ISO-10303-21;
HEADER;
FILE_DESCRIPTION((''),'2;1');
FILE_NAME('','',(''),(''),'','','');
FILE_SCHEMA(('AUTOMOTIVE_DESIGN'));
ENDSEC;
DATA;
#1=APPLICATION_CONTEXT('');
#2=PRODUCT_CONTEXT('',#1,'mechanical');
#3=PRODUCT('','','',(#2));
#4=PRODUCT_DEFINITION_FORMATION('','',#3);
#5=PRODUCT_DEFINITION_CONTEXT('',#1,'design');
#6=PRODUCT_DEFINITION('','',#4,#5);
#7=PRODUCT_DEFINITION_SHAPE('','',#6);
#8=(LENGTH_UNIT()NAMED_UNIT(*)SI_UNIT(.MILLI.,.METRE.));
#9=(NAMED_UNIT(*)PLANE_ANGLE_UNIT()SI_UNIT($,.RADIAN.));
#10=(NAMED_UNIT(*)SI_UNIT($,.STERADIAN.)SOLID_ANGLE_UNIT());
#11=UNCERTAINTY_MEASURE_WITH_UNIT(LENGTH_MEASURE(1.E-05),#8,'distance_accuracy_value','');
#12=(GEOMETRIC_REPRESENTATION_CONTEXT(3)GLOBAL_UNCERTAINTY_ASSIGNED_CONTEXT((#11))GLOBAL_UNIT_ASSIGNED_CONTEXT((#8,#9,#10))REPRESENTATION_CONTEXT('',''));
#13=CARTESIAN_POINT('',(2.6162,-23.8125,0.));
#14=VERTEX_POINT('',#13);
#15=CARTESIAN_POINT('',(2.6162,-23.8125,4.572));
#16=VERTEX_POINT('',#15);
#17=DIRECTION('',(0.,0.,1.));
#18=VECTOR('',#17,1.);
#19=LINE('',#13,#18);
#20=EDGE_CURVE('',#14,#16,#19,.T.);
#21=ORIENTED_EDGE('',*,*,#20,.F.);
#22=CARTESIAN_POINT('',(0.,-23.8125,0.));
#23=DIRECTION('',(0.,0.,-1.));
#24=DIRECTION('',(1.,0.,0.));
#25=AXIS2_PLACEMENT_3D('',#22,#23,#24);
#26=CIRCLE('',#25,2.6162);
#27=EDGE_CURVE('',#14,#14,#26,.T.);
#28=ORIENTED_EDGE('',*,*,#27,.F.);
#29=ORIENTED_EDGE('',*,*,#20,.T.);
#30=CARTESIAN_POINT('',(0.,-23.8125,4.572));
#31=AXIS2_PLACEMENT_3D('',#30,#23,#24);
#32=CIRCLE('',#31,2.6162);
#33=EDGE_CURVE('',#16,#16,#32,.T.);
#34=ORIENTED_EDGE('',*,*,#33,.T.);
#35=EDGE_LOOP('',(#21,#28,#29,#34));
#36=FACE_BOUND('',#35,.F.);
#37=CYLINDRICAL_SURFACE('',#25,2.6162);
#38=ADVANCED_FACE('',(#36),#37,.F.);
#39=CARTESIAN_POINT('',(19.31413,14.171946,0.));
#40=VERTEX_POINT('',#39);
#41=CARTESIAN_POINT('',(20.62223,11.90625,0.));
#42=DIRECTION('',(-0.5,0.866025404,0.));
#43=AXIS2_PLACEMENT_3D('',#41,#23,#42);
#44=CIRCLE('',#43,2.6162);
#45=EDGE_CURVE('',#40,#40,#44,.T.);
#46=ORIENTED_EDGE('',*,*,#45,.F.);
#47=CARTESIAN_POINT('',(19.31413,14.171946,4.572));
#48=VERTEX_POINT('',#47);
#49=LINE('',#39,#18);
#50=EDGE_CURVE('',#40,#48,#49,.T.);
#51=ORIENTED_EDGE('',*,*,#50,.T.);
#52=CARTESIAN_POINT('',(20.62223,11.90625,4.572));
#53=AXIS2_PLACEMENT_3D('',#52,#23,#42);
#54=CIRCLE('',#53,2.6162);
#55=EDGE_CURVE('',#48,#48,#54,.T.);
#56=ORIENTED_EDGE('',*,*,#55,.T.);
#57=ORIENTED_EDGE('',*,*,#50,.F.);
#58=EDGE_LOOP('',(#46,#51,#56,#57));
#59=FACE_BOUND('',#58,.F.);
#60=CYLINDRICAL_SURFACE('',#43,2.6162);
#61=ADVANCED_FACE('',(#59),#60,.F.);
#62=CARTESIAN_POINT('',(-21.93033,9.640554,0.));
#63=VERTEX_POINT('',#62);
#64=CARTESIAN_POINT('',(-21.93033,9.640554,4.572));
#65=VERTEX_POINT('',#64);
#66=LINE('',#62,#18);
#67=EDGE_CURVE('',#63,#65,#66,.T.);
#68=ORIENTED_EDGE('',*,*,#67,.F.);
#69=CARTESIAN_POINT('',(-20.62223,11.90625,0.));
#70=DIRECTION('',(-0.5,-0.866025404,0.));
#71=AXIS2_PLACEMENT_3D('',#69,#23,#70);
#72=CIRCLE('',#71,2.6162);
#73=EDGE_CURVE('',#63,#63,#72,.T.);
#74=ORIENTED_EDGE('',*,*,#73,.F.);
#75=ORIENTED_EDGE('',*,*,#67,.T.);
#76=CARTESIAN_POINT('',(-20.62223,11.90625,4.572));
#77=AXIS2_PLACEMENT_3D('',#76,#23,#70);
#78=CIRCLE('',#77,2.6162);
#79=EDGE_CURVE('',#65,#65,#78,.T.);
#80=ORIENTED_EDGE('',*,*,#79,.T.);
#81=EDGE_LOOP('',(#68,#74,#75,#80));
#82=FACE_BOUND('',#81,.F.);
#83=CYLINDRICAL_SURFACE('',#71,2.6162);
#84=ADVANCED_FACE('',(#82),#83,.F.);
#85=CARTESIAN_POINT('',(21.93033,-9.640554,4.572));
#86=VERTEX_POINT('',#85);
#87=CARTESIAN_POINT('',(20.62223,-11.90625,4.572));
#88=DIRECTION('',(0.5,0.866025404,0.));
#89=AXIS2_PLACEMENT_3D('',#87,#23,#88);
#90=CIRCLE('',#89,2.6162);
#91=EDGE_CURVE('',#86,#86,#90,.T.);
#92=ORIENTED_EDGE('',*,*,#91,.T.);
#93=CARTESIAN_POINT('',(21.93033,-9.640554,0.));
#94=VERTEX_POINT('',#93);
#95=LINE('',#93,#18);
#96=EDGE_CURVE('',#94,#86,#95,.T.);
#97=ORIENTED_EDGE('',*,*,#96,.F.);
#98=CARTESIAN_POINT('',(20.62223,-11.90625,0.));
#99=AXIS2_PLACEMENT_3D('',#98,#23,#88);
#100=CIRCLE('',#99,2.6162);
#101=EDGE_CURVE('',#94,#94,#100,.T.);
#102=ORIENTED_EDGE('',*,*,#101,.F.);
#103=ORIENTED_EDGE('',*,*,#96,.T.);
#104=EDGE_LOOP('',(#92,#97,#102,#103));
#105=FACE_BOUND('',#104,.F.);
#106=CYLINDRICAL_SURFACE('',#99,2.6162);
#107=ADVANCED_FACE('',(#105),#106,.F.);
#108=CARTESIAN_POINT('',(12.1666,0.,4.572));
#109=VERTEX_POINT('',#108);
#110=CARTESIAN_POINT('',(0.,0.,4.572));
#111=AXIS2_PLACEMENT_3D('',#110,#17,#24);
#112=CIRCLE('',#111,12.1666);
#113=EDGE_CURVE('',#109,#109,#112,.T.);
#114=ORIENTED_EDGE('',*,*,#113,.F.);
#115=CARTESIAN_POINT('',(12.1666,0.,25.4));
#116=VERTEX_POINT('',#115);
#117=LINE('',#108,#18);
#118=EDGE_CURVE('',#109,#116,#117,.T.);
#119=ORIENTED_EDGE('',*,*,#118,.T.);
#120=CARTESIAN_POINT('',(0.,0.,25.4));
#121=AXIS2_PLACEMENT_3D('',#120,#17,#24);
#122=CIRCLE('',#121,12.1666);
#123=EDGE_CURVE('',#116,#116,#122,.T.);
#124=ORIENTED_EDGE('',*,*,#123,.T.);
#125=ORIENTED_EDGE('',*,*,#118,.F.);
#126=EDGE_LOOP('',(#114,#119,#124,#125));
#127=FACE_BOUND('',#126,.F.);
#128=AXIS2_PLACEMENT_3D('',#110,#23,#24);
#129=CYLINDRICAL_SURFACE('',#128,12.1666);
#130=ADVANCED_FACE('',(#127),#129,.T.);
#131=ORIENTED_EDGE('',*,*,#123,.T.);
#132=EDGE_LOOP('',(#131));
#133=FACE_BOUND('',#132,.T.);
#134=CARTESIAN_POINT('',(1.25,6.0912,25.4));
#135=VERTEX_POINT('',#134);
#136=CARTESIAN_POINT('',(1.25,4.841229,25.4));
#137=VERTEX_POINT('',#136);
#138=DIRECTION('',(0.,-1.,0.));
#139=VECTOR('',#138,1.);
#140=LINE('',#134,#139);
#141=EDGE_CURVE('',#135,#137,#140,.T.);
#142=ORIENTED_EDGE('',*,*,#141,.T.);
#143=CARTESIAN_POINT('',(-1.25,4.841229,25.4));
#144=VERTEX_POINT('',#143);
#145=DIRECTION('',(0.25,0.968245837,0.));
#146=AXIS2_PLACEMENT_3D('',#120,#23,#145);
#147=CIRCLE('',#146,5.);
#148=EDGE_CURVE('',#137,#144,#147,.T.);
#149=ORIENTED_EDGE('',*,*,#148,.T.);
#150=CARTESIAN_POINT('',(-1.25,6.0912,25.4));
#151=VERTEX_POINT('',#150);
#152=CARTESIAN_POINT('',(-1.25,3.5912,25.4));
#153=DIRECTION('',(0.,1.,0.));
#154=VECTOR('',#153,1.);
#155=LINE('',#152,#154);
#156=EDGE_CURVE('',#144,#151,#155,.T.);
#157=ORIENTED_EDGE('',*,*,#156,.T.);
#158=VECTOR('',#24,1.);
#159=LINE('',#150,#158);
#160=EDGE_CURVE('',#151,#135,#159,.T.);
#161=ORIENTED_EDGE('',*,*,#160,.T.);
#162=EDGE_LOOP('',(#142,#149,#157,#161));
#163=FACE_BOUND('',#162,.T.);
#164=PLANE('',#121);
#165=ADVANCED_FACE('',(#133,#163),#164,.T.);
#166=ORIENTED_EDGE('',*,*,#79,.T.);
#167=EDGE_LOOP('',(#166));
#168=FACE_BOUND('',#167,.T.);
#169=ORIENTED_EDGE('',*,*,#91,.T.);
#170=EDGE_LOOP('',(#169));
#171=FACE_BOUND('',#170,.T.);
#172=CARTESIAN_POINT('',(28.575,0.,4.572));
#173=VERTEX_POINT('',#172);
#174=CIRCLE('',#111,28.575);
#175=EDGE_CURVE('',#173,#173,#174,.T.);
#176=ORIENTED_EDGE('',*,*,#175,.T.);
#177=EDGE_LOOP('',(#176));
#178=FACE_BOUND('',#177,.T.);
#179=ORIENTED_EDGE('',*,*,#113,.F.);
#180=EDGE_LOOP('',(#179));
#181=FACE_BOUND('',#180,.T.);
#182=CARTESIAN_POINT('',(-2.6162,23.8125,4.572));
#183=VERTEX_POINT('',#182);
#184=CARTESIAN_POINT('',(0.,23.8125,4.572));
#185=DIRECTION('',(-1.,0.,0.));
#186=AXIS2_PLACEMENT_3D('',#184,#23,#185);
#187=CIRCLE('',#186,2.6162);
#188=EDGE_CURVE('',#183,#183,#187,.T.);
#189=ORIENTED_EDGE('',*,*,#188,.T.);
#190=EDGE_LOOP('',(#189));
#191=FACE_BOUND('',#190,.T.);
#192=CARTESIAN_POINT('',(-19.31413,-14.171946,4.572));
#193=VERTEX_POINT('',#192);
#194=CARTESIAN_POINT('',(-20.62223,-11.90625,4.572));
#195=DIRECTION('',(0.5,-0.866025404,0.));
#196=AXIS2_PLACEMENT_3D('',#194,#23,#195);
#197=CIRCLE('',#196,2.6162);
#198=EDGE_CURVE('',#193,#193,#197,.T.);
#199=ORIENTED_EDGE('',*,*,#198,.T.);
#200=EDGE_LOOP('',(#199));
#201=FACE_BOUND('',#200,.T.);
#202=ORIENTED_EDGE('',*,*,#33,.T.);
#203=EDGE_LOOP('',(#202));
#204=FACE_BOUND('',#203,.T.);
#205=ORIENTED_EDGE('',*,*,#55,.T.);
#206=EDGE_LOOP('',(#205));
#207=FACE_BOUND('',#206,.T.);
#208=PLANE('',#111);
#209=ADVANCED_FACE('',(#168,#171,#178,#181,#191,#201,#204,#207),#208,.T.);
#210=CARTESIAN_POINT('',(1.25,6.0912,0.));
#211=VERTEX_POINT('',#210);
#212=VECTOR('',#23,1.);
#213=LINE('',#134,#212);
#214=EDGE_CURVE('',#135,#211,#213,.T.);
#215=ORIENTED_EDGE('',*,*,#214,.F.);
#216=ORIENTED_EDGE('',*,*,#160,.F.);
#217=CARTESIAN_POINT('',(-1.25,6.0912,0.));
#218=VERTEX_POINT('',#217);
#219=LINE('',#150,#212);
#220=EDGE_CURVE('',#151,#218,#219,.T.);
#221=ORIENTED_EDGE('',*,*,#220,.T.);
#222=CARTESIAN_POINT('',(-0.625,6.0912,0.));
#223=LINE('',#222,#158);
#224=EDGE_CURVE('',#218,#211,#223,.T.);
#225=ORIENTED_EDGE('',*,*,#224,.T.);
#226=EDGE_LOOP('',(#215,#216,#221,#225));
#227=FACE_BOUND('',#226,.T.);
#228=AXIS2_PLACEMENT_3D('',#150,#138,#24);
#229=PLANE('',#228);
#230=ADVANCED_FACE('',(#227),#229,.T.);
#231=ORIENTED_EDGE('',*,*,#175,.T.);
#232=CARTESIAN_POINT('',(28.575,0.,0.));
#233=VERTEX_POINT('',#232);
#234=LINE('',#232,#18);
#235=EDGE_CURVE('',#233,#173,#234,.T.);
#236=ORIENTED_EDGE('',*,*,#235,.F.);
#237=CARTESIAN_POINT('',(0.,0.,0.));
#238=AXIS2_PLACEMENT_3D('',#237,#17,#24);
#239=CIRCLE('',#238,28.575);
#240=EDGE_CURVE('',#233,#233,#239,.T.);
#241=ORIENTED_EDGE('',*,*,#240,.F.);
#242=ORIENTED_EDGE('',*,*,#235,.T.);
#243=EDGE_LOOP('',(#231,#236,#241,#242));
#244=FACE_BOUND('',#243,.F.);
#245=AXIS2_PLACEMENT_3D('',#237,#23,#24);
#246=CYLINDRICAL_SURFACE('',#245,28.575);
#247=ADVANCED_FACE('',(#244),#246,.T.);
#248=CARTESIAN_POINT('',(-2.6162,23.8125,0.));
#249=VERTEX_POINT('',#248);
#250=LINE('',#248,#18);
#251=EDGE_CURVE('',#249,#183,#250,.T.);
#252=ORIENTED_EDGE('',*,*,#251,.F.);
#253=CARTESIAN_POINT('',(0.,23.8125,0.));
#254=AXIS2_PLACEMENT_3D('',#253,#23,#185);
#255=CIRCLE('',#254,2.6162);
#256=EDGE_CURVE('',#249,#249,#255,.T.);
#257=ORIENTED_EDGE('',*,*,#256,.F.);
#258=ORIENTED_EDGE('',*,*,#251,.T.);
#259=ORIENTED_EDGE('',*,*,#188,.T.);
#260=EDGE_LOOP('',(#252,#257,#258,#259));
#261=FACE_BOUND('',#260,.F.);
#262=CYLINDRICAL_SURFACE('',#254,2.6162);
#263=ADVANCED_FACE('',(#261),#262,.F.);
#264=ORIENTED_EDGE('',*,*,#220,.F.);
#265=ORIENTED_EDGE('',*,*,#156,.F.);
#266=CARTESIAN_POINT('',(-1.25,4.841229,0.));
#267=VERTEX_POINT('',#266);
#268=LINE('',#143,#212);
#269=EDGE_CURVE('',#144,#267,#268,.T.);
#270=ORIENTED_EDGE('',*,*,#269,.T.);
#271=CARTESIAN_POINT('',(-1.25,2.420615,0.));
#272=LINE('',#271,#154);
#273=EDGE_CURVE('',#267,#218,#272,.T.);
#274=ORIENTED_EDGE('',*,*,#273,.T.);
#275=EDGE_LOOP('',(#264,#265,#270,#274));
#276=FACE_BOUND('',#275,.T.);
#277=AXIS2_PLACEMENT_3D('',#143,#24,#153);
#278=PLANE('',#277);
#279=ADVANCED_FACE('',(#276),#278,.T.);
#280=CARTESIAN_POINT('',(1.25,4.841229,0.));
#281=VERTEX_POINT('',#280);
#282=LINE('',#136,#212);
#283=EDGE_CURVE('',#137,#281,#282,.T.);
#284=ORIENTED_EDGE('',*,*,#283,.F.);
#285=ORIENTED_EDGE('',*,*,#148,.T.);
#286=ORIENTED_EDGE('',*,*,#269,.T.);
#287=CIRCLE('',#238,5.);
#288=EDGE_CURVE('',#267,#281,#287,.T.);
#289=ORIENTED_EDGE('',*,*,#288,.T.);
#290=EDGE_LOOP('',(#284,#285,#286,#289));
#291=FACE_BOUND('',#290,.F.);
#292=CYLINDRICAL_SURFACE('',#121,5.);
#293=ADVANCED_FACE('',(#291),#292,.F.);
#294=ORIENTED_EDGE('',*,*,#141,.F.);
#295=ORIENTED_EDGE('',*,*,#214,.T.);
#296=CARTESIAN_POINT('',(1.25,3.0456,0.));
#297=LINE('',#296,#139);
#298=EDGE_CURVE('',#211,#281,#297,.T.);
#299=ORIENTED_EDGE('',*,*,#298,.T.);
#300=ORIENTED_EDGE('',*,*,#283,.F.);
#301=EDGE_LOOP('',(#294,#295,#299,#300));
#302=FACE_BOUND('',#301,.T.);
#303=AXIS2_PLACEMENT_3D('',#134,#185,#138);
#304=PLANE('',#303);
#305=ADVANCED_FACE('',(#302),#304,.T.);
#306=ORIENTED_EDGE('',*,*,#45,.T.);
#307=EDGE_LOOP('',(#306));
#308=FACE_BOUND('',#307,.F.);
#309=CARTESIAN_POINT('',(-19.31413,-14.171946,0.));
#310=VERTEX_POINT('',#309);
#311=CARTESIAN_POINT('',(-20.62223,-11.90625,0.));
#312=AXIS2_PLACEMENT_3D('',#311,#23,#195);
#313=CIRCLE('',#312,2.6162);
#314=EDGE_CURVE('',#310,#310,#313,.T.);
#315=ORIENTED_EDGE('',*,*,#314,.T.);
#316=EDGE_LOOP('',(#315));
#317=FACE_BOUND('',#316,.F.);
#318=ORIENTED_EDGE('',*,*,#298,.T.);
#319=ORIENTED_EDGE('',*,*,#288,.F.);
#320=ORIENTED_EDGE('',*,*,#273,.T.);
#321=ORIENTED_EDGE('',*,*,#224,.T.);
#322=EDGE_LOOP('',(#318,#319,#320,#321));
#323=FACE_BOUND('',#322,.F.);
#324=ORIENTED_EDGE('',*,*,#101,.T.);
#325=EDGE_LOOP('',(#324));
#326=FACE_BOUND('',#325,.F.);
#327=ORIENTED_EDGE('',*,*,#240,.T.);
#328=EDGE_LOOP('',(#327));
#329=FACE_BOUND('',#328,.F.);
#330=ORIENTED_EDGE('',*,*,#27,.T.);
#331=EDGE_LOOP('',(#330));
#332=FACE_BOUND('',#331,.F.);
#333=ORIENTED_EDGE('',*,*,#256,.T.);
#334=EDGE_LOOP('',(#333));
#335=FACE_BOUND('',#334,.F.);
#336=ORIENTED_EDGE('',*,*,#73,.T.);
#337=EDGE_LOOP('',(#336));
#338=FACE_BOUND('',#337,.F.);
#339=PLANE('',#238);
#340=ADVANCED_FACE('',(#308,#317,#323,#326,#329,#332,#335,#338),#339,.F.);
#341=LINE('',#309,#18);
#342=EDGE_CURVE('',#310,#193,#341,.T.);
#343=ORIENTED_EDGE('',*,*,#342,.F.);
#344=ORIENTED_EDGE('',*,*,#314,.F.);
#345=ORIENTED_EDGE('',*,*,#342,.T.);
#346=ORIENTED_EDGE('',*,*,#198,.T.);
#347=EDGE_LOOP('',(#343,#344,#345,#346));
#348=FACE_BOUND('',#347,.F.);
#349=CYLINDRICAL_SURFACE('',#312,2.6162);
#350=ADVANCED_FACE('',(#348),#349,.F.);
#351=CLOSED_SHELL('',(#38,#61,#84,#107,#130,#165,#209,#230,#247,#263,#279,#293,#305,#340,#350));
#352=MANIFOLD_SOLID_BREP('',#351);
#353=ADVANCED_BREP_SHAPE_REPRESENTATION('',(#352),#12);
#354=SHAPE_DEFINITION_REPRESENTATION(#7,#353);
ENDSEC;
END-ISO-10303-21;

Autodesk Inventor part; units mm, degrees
ref_plane "YZ Plane" through (0, 0, 0) normal (1, 0, 0) x (0, 1, 0)
ref_plane "XZ Plane" through (0, 0, 0) normal (0, 1, 0) x (-1, 0, 0)
ref_plane "XY Plane" through (0, 0, 0) normal (0, 0, 1) x (1, 0, 0)
sketch "Sketch1" plane through (0, 0, 0) normal (0, 0, 1) x (1, 0, 0)
  circle A0 centre (0, 0) radius 28.575
  dimension "d0" = 57.15
extrude "Extrusion1" add sketch "Sketch1" along normal blind 4.572
sketch "Sketch2" plane through (0, 0, 4.572) normal (0, 0, 1) x (1, 0, 0)
  circle A0 centre (0, 0) radius 28.575 projected
  circle A1 centre (0, 0) radius 12.1666
  dimension "d3" = 24.3332
extrude "Extrusion2" add sketch "Sketch2" along normal blind 20.828 contours A1
sketch "Sketch3" plane through (0, 0, 25.4) normal (0, 0, 1) x (1, 0, 0)
  circle A0 centre (0, 0) radius 12.1666 projected
  circle A1 centre (0, 0) radius 5
  line L0 (-1.25, 6.0912) -> (1.25, 6.0912)
  line L1 (1.25, 6.0912) -> (1.25, 3.5912)
  line L2 (1.25, 3.5912) -> (-1.25, 3.5912)
  line L3 (-1.25, 3.5912) -> (-1.25, 6.0912)
  point P0 (0, 6.0912)
  point P1 (-1.25, 4.8412)
  dimension "d6" = 10
  dimension "d7" = 2.5
  dimension "d8" = 2.5
extrude "Extrusion3" cut sketch "Sketch3" against normal through all contours A1 L3 L2 L1 | L1 L2 L3 A1 | A1 L3 L0 L1
sketch "Sketch4" plane through (0, 0, 0) normal (0, 0, -1) x (-1, 0, 0)
  arc A0 (-1.25, 4.8412) -> (1.25, 4.8412) centre (0, 0) ccw projected
  circle A1 centre (0, 23.8125) radius 2.6162
  arc A2 (-1.25, 4.8412) -> (1.25, 4.8412) centre (0, 0) ccw projected
  line L0 (-1.25, 4.8412) -> (-1.25, 6.0912) projected
  line L1 (-1.25, 6.0912) -> (1.25, 6.0912) projected
  line L2 (1.25, 6.0912) -> (1.25, 4.8412) projected
  circle A3 centre (0, 0) radius 28.575 projected
  dimension "d11" = 5.2324
  dimension "d12" = 23.8125
extrude "Extrusion4" cut sketch "Sketch4" against normal through all contours A1
pattern_circular "Circular Pattern1" count 6 over 360 about axis through (0, 0, 0) along (0, 0, 1) of "Extrusion4"
properties part number "Hub 8mm key"
